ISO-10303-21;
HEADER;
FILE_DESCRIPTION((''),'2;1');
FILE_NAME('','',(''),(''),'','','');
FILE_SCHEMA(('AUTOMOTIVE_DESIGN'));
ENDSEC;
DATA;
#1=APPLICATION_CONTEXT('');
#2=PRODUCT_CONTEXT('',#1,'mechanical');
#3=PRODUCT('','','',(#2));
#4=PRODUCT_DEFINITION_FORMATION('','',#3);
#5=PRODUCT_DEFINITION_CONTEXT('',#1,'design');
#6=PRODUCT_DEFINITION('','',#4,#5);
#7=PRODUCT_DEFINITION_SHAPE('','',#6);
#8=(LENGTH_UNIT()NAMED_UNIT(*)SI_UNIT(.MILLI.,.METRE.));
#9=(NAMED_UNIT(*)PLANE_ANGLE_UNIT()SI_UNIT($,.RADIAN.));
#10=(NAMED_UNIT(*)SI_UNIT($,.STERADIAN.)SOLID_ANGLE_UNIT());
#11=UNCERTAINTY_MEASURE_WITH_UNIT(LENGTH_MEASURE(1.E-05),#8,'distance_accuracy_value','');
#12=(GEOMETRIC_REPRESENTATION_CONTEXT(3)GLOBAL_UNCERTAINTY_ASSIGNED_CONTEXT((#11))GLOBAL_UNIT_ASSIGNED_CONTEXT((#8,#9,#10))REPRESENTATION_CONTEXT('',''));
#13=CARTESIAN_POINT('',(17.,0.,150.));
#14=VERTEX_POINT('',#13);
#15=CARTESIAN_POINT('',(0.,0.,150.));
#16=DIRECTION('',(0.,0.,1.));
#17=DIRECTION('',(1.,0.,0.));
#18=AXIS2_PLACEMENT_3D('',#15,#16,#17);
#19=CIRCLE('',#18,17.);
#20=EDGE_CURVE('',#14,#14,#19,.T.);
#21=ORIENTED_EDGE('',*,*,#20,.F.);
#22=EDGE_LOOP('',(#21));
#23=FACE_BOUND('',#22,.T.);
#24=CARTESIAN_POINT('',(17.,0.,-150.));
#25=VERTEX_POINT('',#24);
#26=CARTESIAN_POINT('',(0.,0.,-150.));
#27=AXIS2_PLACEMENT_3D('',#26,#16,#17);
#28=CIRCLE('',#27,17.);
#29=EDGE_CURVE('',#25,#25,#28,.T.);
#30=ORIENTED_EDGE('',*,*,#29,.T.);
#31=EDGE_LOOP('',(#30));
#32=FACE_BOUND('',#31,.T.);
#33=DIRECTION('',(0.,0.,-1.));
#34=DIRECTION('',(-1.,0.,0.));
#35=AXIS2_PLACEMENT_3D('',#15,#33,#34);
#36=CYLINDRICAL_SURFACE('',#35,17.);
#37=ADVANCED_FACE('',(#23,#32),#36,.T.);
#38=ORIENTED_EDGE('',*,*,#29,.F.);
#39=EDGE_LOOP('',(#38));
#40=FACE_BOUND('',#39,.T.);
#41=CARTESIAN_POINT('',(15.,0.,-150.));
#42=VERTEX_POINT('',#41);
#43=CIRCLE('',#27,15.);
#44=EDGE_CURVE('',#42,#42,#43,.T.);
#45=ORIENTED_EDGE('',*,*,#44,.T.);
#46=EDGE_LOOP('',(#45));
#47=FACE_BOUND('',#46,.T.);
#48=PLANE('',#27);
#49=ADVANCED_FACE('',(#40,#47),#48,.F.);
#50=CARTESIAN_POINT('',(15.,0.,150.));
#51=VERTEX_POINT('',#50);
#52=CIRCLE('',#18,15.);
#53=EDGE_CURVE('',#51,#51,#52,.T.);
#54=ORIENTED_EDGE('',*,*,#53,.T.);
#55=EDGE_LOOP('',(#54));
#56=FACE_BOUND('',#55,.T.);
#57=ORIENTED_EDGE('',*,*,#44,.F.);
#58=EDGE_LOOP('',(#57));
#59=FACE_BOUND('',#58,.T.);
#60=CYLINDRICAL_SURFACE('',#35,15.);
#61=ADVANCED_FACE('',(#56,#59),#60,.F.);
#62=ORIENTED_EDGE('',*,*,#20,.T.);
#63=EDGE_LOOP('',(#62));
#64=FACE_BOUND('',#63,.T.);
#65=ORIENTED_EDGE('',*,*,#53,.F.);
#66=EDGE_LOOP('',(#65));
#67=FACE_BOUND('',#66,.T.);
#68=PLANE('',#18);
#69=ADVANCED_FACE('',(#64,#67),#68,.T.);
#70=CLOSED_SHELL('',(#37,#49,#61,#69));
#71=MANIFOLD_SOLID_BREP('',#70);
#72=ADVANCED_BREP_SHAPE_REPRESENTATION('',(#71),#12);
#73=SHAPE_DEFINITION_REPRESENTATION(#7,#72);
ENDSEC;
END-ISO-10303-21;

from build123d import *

# Parameters (mm, degrees)
SKETCH1_R           = 17
SKETCH1_R_2         = 15
BOSS_EXTRUDE1_DEPTH = 150


with BuildPart() as part:
    # Sketch1 → Boss-Extrude1 (new, symmetric)
    with BuildSketch(Plane.XY):
        Circle(SKETCH1_R)
        Circle(SKETCH1_R_2, mode=Mode.SUBTRACT)
    extrude(amount=BOSS_EXTRUDE1_DEPTH, both=True)


solid = part.part
